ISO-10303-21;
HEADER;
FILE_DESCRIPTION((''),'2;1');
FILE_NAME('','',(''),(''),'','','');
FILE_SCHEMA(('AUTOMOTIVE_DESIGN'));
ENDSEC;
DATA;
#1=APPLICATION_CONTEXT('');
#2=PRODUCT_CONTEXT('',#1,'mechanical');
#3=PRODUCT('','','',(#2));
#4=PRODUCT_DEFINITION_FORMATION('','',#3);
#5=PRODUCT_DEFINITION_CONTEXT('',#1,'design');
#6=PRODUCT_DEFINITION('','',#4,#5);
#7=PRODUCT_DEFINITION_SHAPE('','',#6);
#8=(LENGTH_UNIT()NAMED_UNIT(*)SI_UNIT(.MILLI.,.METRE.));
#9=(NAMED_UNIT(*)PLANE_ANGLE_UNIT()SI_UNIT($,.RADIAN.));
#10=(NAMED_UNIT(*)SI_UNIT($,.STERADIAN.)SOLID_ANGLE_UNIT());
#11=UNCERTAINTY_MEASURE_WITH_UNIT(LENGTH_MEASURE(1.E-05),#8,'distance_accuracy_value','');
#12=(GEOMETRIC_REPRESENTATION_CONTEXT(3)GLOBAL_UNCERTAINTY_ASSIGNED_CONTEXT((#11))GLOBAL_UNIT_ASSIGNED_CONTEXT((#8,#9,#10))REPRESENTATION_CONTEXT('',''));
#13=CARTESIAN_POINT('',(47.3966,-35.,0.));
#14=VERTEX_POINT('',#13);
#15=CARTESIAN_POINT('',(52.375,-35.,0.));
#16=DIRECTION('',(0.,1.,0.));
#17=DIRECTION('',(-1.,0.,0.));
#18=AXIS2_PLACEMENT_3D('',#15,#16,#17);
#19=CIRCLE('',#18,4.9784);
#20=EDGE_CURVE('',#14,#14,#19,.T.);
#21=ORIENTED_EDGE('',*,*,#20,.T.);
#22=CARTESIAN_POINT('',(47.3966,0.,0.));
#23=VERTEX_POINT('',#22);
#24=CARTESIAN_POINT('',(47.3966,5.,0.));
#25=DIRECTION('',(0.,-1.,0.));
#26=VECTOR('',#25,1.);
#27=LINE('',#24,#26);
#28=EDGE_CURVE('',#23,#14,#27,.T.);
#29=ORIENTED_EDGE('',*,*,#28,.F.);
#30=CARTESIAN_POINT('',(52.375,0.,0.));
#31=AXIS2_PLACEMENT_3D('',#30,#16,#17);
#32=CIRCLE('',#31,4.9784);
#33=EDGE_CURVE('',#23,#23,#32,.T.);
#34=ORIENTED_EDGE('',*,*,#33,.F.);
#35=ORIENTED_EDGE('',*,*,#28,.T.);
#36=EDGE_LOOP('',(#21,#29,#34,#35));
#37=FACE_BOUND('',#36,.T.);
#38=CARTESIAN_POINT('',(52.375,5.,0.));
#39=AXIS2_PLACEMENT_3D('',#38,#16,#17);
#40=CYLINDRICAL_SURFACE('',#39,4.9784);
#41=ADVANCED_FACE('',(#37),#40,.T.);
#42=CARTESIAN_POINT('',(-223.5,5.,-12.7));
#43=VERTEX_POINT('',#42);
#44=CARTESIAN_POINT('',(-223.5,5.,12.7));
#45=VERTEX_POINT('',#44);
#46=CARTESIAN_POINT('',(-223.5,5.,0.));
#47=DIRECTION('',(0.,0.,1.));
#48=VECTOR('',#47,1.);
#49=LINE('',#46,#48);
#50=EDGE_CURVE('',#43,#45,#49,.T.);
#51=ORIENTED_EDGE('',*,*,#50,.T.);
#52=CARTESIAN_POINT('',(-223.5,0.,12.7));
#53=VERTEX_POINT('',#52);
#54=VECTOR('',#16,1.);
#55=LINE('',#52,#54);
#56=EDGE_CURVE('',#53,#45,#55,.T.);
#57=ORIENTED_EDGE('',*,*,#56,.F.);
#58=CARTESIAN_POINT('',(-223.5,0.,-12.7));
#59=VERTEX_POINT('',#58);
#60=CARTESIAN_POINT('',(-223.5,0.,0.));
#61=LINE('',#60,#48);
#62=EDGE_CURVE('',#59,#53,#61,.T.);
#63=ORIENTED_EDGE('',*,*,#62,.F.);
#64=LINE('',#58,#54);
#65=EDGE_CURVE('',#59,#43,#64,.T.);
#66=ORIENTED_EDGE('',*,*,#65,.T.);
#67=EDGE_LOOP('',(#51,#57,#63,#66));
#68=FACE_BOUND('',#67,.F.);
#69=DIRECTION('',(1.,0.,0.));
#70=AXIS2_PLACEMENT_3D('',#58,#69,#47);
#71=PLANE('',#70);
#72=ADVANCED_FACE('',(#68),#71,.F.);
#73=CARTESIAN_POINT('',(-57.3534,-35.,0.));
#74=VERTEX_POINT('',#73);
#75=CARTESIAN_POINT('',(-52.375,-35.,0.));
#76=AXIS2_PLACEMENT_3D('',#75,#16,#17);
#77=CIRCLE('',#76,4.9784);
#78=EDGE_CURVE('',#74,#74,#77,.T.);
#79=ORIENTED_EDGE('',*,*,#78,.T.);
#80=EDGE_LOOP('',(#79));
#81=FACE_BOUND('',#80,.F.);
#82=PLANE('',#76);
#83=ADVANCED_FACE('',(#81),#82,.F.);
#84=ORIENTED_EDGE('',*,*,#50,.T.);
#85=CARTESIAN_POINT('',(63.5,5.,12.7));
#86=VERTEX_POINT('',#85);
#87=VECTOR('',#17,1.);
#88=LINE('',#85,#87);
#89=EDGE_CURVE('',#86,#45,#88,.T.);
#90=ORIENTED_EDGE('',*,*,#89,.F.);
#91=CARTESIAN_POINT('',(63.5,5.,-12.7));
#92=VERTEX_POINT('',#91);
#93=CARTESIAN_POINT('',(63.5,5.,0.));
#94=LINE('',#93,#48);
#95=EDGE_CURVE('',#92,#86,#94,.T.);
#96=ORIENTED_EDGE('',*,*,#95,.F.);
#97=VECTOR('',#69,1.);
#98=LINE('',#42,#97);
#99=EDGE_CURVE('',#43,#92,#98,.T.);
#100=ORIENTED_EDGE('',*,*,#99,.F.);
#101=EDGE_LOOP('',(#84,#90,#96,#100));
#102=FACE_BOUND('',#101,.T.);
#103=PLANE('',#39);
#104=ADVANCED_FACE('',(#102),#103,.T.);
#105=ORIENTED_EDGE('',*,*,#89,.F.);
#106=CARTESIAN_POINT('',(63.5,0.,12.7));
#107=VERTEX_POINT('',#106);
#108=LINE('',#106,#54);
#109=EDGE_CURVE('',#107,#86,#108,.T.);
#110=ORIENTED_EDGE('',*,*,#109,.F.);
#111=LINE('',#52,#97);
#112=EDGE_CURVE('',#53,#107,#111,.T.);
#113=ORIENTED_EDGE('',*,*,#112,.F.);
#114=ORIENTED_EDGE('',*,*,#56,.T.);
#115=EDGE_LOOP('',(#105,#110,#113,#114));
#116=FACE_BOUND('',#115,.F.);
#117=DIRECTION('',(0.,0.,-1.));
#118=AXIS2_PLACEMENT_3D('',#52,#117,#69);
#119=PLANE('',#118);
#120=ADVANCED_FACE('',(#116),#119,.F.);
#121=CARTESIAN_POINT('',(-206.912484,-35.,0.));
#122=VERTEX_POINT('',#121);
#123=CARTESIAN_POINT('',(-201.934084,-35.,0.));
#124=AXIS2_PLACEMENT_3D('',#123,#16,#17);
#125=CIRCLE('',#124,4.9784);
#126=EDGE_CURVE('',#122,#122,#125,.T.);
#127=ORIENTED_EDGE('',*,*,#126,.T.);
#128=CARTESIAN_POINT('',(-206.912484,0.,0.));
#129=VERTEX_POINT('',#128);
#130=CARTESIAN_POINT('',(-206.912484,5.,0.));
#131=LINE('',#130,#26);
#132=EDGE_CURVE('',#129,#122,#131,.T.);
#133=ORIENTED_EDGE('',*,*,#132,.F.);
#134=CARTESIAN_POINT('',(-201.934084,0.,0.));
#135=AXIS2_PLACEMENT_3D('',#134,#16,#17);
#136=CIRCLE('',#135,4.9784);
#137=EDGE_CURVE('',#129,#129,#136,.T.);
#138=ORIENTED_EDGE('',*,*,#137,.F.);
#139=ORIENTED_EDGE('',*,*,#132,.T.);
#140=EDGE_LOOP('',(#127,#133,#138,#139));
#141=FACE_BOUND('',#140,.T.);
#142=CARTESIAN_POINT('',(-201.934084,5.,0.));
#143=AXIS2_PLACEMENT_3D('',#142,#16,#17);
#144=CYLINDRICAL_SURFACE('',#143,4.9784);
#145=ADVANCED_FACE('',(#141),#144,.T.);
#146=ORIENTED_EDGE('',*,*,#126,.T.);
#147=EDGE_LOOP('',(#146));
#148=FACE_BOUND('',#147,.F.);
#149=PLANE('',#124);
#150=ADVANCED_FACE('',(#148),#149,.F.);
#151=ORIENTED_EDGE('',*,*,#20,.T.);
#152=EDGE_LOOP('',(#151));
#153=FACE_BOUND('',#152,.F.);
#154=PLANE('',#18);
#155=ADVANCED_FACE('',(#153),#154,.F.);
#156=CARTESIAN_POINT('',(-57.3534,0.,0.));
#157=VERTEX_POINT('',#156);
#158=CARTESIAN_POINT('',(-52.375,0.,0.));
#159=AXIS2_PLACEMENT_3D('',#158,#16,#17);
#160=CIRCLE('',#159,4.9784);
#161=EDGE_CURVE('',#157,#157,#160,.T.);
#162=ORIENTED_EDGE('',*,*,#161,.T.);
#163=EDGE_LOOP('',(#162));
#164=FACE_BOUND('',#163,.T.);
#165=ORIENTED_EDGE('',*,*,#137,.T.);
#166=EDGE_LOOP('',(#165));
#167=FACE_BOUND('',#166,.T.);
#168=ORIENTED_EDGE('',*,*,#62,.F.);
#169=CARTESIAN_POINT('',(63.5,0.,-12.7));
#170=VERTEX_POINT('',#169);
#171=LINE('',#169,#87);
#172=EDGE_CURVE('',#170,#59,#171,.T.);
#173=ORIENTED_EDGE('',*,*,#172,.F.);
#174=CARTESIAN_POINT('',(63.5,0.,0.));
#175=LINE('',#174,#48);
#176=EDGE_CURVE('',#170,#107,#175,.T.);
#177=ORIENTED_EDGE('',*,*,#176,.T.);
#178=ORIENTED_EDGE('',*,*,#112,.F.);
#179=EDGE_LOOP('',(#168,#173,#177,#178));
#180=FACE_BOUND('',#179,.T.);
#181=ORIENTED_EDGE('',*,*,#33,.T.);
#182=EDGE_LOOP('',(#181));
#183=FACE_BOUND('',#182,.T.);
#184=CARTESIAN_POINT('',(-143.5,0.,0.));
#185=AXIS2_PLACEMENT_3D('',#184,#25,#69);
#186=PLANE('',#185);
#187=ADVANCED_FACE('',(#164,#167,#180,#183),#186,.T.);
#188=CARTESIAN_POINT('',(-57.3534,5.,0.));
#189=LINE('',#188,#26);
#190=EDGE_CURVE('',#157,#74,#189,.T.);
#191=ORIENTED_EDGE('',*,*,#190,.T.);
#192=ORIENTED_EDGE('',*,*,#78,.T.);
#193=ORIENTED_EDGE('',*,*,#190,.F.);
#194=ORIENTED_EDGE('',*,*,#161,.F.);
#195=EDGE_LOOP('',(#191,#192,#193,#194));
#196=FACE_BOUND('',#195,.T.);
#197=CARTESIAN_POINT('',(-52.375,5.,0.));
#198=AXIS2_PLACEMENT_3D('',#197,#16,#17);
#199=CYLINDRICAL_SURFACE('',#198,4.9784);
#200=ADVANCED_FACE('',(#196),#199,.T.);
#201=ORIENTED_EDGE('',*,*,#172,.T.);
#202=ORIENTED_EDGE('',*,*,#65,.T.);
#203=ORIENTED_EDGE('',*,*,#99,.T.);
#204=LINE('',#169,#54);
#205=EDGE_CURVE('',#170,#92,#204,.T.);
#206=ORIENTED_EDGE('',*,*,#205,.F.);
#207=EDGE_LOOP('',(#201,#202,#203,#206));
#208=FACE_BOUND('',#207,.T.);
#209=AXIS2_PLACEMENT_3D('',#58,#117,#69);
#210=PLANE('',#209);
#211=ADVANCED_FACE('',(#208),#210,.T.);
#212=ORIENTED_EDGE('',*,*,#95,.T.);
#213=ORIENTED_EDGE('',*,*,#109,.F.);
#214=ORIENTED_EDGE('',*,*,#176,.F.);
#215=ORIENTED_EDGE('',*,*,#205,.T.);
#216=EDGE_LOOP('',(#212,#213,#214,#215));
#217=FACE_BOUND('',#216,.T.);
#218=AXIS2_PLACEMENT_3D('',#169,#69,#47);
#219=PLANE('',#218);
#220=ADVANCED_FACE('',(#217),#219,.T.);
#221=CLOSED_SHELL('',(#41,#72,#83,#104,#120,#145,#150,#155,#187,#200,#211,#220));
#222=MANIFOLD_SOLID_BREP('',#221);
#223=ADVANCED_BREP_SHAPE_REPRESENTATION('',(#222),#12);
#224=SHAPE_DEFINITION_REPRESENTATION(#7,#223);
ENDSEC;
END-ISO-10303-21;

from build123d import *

# Parameters (mm, degrees)
F0_W     = 127
F0_H     = 25.4
F1_DEPTH = 5
F2_W     = 160
F2_H     = 25.4
F3_DEPTH = 5
F4_R     = 4.9784
F5_DEPTH = 40


with BuildPart() as f1:
    # F0 (on Front) → F1 (new body)
    with BuildSketch(Plane.XZ):
        Rectangle(F0_W, F0_H)
    extrude(amount=-F1_DEPTH)

    # F2 (on Front) → F3 (join, through all)
    with BuildSketch(Plane.XZ):
        with Locations((-143.5, 0)):
            Rectangle(F2_W, F2_H)
    extrude(amount=-F3_DEPTH)

    # F4 (on face) → F5 (join)
    with BuildSketch(Plane(origin=(0, 5, 0), x_dir=(-1, 0, 0), z_dir=(0, 1, 0))):
        with Locations((-52.375, 0)):
            Circle(F4_R)
        with Locations((52.375, 0)):
            Circle(F4_R)
        with Locations((201.934084, 0)):
            Circle(F4_R)
    extrude(amount=-F5_DEPTH)


solid = f1.part
